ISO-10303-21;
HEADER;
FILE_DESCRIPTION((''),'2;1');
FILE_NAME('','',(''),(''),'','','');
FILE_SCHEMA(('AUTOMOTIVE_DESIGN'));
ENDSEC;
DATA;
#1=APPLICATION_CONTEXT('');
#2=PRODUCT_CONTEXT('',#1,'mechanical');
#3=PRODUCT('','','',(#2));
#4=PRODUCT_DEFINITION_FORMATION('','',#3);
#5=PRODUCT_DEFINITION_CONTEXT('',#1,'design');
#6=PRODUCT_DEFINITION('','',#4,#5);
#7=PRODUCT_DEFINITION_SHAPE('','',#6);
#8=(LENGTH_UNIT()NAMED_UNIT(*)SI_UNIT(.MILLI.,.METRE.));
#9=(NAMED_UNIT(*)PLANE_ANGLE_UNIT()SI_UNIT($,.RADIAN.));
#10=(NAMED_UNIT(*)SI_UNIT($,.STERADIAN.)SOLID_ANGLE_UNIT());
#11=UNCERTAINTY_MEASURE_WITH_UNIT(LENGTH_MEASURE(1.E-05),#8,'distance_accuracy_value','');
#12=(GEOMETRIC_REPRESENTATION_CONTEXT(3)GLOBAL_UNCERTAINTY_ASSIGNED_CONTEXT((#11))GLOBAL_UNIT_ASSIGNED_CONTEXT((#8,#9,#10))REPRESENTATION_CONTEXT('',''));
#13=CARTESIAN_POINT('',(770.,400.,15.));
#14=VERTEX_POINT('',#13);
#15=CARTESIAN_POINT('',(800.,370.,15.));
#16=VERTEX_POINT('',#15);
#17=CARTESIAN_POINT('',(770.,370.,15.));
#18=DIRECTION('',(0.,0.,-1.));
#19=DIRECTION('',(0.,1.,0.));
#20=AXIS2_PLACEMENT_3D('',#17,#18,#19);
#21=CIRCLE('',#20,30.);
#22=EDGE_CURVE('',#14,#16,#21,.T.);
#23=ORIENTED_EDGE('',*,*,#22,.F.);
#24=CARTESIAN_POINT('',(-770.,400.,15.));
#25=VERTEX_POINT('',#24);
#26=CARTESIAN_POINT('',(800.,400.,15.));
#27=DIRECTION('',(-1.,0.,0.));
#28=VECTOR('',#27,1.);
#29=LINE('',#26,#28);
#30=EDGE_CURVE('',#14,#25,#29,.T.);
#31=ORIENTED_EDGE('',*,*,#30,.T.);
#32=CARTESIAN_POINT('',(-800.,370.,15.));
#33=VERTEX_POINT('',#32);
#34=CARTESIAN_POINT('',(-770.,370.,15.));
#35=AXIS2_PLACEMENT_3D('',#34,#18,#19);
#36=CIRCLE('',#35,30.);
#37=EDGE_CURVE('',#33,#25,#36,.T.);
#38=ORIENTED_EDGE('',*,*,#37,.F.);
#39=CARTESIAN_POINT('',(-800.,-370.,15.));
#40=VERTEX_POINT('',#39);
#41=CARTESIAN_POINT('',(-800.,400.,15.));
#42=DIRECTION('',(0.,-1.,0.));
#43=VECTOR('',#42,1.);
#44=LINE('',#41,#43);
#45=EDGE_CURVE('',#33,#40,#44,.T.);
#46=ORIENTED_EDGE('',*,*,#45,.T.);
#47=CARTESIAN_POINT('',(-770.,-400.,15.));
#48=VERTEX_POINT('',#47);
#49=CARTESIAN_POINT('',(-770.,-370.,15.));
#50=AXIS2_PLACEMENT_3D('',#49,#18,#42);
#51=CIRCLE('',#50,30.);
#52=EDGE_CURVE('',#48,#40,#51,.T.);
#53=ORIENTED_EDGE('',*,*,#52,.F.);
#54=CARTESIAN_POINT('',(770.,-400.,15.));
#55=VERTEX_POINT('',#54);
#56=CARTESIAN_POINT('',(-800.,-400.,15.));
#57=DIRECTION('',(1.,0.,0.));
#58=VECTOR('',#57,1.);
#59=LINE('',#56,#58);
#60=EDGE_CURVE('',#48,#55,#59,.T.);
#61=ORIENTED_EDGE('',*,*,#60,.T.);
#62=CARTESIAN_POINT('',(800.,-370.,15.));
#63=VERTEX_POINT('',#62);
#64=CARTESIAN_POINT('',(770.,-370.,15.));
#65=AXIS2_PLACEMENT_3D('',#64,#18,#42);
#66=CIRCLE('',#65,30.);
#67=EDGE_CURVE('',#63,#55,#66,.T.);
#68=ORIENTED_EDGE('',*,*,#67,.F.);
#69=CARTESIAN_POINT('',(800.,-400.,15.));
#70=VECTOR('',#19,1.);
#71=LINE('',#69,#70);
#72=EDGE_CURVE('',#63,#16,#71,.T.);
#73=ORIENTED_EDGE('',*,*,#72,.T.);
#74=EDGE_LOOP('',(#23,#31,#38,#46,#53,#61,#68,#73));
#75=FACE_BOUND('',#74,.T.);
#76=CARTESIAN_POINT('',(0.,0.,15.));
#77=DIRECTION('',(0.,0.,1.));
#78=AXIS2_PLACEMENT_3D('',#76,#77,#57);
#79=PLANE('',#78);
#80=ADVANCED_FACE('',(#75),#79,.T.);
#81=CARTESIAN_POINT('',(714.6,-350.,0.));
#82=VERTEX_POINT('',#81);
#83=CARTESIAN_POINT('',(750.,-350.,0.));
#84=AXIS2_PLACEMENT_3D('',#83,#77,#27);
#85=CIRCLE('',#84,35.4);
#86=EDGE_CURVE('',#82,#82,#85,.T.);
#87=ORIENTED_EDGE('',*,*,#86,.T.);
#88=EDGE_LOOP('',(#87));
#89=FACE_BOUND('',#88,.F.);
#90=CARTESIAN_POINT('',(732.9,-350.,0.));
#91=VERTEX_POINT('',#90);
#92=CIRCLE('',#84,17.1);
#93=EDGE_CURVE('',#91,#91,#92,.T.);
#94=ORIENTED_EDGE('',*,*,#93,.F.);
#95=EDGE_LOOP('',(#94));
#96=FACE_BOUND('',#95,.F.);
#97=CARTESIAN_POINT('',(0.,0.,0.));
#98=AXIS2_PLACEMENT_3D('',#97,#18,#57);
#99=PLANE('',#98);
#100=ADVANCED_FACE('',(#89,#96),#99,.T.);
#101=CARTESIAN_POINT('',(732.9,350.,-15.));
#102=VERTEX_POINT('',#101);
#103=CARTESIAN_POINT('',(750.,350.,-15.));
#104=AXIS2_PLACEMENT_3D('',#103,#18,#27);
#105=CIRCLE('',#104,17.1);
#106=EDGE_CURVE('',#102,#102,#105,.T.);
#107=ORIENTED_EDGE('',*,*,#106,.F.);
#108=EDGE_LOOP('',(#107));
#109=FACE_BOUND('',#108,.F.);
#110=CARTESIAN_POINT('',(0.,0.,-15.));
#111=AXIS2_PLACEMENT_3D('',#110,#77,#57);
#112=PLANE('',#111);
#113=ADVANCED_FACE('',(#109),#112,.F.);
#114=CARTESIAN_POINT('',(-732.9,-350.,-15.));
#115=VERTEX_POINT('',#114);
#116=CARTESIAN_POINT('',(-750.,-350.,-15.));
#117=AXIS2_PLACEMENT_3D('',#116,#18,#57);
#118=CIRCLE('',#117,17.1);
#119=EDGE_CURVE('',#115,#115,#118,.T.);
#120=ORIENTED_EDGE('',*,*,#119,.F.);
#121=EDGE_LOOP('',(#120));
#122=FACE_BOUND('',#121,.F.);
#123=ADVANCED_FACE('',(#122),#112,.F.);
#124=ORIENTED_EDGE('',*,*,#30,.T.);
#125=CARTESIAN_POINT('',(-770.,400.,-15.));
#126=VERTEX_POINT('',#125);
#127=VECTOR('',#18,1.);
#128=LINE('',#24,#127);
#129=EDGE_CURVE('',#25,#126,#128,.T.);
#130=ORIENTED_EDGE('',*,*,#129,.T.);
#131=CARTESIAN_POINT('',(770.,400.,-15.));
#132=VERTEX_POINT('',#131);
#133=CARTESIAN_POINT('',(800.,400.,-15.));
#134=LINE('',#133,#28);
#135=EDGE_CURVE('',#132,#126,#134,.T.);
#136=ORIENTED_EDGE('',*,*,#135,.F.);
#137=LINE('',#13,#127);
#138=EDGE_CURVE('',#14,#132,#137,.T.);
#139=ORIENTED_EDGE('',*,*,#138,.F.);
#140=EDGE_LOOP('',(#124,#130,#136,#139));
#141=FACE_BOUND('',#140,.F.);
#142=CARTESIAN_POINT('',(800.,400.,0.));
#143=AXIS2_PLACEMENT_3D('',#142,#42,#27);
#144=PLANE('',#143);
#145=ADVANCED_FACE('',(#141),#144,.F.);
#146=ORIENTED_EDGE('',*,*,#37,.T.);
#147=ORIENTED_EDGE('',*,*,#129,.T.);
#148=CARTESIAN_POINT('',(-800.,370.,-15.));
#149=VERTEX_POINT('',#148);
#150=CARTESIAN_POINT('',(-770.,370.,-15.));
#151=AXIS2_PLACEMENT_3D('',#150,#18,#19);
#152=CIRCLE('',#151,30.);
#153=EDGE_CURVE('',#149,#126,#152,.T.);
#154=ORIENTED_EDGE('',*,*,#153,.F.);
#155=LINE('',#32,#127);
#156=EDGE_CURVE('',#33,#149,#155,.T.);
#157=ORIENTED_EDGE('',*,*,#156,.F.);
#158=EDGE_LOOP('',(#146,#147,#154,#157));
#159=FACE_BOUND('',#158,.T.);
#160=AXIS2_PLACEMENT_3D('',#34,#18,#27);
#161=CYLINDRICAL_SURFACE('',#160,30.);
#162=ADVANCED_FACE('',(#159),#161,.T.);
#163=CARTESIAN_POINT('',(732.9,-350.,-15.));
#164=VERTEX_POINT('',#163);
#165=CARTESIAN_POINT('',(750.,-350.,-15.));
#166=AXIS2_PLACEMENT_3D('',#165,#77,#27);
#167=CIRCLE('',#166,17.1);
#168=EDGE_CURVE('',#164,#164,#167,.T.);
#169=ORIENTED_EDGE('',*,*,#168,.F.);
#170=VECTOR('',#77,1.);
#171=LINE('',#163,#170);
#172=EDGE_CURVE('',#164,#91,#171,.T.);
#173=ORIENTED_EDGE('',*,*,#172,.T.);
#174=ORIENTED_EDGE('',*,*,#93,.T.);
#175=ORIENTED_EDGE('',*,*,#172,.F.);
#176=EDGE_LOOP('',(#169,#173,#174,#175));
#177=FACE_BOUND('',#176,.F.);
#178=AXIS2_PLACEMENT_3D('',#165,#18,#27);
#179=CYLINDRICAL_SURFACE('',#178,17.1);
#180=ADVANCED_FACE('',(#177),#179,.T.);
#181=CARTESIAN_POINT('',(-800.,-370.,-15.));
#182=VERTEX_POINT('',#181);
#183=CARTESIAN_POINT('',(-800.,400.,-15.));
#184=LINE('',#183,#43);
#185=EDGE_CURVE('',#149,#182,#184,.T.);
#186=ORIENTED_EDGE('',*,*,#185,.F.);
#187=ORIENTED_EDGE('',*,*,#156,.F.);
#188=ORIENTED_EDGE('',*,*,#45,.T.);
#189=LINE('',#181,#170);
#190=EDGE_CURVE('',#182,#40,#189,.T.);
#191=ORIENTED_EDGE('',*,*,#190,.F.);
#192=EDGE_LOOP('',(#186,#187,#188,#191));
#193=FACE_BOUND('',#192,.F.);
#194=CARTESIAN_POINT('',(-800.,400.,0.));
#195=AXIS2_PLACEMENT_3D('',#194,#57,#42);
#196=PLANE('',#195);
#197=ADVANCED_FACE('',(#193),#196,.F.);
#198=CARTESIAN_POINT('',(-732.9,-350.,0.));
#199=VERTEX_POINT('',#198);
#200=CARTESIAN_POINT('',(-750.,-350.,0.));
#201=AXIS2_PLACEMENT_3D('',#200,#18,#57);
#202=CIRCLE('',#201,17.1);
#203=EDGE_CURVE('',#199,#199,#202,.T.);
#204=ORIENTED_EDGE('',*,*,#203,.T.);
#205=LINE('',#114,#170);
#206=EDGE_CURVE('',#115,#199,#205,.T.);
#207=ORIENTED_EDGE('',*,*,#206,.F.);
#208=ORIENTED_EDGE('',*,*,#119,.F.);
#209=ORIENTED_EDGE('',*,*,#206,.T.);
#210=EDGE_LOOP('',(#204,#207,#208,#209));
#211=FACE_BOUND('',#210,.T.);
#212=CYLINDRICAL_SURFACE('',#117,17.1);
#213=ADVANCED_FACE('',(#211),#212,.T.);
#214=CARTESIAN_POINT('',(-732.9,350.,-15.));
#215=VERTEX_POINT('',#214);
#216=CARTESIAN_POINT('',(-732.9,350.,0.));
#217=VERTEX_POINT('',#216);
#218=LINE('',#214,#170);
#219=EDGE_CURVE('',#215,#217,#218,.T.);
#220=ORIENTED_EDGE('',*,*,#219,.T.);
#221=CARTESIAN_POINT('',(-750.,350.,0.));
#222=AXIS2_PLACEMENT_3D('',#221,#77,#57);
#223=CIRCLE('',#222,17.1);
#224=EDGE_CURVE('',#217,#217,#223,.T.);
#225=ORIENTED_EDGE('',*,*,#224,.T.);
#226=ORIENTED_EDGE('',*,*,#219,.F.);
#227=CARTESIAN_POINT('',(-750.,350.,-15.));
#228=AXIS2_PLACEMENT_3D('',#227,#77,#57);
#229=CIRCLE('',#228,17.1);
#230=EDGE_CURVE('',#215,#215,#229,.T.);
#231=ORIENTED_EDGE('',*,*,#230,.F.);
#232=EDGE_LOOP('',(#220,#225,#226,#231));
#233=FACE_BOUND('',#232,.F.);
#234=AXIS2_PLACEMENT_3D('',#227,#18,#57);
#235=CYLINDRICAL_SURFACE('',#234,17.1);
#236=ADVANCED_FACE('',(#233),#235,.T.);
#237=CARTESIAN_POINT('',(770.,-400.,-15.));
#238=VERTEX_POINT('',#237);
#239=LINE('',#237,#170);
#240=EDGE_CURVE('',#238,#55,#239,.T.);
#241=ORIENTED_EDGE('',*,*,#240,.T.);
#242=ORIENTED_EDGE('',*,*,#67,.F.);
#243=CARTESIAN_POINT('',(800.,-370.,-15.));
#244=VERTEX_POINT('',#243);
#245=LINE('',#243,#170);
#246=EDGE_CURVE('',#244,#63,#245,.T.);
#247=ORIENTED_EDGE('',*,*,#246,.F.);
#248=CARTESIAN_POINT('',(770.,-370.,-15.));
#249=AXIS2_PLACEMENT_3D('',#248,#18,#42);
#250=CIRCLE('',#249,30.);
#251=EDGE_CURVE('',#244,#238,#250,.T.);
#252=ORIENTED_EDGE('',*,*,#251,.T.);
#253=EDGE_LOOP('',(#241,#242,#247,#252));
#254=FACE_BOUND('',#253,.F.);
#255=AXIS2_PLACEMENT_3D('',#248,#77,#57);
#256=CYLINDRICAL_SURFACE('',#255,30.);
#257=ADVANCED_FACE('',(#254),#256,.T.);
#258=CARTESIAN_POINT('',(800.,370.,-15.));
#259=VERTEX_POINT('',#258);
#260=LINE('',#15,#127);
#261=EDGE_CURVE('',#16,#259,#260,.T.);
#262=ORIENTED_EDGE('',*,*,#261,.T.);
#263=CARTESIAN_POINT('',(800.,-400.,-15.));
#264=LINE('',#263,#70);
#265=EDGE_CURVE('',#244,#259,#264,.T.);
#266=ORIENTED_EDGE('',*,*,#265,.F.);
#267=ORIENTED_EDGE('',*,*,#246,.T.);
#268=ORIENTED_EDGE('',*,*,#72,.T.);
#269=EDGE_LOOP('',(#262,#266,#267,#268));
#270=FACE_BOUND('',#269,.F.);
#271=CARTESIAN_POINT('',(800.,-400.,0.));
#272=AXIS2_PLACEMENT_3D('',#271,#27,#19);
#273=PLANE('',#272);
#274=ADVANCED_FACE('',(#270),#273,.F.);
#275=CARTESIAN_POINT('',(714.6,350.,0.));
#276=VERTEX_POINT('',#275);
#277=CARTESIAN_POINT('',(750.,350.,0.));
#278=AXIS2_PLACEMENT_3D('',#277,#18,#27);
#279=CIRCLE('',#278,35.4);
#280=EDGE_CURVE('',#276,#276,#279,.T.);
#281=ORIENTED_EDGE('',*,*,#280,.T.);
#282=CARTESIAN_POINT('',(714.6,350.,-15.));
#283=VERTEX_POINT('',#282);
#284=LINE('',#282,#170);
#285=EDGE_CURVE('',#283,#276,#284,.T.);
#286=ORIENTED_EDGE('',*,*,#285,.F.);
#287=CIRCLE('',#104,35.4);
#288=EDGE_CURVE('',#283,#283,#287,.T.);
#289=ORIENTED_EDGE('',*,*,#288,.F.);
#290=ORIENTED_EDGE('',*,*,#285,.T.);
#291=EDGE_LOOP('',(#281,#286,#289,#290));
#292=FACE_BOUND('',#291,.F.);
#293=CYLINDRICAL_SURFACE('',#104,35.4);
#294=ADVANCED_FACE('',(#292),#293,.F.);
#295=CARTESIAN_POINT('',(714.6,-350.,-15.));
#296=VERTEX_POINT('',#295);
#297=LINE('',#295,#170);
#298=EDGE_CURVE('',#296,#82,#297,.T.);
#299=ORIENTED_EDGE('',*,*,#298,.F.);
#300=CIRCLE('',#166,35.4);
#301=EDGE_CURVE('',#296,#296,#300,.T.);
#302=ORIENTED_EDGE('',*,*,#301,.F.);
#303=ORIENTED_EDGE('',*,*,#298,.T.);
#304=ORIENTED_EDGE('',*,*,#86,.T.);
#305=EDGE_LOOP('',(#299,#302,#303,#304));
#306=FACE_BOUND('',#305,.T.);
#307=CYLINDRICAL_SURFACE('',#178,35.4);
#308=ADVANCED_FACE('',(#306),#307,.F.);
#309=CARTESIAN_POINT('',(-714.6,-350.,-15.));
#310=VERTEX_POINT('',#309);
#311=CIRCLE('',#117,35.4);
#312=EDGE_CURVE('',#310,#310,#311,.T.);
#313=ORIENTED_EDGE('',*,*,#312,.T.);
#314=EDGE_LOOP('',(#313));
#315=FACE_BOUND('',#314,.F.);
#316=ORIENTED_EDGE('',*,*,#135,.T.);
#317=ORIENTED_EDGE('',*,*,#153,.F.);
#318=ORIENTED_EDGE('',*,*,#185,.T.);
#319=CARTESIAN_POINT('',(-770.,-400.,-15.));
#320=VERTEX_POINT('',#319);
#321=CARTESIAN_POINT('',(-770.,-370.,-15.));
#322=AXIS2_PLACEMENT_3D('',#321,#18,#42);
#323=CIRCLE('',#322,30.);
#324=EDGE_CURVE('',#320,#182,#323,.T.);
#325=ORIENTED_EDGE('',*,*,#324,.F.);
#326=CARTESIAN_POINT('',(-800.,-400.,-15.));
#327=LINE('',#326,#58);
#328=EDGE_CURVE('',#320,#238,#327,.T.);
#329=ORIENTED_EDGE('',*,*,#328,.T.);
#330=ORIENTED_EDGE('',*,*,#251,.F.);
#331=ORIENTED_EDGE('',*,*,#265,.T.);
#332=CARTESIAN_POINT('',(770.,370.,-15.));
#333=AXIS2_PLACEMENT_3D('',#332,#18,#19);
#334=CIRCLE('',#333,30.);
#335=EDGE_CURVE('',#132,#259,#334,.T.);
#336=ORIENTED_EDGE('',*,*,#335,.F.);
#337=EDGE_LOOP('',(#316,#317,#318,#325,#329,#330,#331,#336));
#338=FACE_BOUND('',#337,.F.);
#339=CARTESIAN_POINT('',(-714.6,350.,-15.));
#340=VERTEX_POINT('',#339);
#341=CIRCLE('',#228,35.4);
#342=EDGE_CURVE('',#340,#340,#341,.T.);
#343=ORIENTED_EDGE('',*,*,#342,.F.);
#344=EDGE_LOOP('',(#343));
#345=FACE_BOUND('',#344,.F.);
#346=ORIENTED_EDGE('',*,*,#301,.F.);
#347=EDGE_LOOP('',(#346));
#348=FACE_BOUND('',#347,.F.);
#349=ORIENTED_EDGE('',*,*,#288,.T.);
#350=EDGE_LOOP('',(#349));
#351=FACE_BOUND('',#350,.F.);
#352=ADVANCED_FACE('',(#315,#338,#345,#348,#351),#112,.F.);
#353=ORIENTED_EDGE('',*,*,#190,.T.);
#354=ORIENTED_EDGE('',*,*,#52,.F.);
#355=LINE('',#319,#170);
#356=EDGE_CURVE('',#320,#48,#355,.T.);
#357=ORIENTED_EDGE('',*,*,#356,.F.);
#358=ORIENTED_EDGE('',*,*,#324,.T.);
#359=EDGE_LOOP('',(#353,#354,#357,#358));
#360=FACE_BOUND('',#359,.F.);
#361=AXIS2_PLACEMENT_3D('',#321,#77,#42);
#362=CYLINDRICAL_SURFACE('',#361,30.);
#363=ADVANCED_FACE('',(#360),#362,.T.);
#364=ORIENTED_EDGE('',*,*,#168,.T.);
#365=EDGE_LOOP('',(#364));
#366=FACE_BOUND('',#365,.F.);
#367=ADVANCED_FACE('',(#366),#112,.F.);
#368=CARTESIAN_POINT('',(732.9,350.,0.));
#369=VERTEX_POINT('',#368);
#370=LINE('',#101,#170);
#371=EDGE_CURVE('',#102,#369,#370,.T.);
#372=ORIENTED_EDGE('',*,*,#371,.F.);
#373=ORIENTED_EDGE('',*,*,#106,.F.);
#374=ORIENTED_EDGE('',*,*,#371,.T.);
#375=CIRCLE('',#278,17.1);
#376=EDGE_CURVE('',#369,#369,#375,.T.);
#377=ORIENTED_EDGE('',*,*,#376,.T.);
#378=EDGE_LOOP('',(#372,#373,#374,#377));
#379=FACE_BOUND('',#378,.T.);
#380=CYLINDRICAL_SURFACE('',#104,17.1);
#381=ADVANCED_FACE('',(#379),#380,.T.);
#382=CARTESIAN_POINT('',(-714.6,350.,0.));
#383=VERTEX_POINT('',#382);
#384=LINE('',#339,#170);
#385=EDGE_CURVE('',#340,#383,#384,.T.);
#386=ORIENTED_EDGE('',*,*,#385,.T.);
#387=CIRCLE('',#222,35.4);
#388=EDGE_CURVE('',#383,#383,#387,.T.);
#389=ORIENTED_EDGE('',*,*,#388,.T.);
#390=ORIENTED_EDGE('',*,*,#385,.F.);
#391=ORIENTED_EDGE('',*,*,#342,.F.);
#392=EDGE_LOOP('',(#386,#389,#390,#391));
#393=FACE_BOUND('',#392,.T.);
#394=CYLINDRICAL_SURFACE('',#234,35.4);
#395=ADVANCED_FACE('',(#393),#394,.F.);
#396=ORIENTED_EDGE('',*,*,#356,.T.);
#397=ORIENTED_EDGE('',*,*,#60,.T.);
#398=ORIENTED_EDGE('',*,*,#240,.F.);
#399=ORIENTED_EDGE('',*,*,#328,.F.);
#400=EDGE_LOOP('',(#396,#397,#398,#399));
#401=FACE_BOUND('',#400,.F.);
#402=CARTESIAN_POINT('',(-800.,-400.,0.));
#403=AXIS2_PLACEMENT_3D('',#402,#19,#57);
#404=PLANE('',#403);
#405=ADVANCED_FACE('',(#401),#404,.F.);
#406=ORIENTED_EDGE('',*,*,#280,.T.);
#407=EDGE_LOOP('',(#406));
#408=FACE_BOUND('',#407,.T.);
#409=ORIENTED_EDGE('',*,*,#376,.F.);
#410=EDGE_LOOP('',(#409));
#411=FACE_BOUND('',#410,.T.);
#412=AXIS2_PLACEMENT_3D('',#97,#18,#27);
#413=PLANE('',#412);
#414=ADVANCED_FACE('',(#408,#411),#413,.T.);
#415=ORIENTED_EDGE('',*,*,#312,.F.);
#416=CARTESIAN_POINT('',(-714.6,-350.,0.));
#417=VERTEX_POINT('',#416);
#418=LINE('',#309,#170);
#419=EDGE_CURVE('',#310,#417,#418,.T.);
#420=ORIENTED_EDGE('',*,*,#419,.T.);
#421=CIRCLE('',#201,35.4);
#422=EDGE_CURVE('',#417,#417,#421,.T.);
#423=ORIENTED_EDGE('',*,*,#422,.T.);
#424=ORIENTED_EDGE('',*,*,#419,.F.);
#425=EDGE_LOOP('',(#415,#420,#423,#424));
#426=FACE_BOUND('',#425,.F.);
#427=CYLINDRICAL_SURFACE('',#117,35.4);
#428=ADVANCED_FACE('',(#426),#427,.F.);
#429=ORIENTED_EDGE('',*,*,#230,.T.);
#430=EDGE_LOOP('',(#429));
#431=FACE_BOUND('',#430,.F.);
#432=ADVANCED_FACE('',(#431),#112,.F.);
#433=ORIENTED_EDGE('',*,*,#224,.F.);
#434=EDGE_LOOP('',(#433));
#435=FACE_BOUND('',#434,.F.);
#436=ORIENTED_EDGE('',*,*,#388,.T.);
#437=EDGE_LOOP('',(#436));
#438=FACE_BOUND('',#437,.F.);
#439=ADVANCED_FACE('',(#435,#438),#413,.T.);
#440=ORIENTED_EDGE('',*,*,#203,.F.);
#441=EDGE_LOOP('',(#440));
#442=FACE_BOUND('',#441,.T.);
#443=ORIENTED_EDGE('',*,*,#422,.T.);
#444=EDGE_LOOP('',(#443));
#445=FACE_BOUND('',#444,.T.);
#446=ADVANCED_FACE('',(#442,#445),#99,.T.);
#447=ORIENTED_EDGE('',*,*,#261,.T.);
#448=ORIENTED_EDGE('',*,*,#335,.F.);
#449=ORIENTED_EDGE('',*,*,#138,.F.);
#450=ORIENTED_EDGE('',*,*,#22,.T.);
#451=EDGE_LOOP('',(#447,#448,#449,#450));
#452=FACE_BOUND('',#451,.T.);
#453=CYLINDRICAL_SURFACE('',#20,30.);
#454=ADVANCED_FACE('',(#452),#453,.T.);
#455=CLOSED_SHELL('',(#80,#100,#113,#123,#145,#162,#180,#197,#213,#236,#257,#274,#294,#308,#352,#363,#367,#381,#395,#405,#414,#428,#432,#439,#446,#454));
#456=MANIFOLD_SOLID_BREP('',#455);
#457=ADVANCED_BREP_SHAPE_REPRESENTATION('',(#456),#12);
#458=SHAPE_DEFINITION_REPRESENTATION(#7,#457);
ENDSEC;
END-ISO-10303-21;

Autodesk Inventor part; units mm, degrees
sketch "Esboço1" plane through (0, 0, 0) normal (0, 0, 1) x (1, 0, 0)
  line L0 (-800, -400) -> (800, -400)
  line L1 (800, -400) -> (800, 400)
  line L2 (800, 400) -> (-800, 400)
  line L3 (-800, 400) -> (-800, -400)
  line L4 (-800, -400) -> (800, 400) construction
  line L5 (800, -400) -> (-800, 400) construction
  point P0 (0, 0)
  dimension "d0" = 1600
  dimension "d1" = 800
extrude "Extrusão1" add sketch "Esboço1" along normal mid plane 30
fillet "Arredondamento1" radius 30 1 edges at (-800, 400, 0)
fillet "Arredondamento2" radius 30 1 edges at (800, 400, 0)
fillet "Arredondamento3" radius 30 1 edges at (800, -400, 0)
fillet "Arredondamento4" radius 30 1 edges at (-800, -400, 0)
sketch "Esboço3" plane through (0, 0, -15) normal (0, 0, -1) x (-1, 0, 0)
  circle A0 centre (-750, 350) radius 35.4
  circle A1 centre (-750, 350) radius 17.1
  point P0 (0, 0)
  dimension "d9" = 70.8
  dimension "d10" = 350
  dimension "d11" = 750
  dimension "d13" = 34.2
extrude "Extrusão2" cut sketch "Esboço3" against normal blind 15
mirror "Espelhar1" about plane through (0, 0, 0) normal (1, 0, 0) of "Extrusão2"
mirror "Espelhar2" about plane through (0, 0, 0) normal (0, 1, 0) of "Extrusão2", "Espelhar1"
properties part number "Sessao7_02_04_2025_999_0001" material "Madeira (Cerejeira)"
